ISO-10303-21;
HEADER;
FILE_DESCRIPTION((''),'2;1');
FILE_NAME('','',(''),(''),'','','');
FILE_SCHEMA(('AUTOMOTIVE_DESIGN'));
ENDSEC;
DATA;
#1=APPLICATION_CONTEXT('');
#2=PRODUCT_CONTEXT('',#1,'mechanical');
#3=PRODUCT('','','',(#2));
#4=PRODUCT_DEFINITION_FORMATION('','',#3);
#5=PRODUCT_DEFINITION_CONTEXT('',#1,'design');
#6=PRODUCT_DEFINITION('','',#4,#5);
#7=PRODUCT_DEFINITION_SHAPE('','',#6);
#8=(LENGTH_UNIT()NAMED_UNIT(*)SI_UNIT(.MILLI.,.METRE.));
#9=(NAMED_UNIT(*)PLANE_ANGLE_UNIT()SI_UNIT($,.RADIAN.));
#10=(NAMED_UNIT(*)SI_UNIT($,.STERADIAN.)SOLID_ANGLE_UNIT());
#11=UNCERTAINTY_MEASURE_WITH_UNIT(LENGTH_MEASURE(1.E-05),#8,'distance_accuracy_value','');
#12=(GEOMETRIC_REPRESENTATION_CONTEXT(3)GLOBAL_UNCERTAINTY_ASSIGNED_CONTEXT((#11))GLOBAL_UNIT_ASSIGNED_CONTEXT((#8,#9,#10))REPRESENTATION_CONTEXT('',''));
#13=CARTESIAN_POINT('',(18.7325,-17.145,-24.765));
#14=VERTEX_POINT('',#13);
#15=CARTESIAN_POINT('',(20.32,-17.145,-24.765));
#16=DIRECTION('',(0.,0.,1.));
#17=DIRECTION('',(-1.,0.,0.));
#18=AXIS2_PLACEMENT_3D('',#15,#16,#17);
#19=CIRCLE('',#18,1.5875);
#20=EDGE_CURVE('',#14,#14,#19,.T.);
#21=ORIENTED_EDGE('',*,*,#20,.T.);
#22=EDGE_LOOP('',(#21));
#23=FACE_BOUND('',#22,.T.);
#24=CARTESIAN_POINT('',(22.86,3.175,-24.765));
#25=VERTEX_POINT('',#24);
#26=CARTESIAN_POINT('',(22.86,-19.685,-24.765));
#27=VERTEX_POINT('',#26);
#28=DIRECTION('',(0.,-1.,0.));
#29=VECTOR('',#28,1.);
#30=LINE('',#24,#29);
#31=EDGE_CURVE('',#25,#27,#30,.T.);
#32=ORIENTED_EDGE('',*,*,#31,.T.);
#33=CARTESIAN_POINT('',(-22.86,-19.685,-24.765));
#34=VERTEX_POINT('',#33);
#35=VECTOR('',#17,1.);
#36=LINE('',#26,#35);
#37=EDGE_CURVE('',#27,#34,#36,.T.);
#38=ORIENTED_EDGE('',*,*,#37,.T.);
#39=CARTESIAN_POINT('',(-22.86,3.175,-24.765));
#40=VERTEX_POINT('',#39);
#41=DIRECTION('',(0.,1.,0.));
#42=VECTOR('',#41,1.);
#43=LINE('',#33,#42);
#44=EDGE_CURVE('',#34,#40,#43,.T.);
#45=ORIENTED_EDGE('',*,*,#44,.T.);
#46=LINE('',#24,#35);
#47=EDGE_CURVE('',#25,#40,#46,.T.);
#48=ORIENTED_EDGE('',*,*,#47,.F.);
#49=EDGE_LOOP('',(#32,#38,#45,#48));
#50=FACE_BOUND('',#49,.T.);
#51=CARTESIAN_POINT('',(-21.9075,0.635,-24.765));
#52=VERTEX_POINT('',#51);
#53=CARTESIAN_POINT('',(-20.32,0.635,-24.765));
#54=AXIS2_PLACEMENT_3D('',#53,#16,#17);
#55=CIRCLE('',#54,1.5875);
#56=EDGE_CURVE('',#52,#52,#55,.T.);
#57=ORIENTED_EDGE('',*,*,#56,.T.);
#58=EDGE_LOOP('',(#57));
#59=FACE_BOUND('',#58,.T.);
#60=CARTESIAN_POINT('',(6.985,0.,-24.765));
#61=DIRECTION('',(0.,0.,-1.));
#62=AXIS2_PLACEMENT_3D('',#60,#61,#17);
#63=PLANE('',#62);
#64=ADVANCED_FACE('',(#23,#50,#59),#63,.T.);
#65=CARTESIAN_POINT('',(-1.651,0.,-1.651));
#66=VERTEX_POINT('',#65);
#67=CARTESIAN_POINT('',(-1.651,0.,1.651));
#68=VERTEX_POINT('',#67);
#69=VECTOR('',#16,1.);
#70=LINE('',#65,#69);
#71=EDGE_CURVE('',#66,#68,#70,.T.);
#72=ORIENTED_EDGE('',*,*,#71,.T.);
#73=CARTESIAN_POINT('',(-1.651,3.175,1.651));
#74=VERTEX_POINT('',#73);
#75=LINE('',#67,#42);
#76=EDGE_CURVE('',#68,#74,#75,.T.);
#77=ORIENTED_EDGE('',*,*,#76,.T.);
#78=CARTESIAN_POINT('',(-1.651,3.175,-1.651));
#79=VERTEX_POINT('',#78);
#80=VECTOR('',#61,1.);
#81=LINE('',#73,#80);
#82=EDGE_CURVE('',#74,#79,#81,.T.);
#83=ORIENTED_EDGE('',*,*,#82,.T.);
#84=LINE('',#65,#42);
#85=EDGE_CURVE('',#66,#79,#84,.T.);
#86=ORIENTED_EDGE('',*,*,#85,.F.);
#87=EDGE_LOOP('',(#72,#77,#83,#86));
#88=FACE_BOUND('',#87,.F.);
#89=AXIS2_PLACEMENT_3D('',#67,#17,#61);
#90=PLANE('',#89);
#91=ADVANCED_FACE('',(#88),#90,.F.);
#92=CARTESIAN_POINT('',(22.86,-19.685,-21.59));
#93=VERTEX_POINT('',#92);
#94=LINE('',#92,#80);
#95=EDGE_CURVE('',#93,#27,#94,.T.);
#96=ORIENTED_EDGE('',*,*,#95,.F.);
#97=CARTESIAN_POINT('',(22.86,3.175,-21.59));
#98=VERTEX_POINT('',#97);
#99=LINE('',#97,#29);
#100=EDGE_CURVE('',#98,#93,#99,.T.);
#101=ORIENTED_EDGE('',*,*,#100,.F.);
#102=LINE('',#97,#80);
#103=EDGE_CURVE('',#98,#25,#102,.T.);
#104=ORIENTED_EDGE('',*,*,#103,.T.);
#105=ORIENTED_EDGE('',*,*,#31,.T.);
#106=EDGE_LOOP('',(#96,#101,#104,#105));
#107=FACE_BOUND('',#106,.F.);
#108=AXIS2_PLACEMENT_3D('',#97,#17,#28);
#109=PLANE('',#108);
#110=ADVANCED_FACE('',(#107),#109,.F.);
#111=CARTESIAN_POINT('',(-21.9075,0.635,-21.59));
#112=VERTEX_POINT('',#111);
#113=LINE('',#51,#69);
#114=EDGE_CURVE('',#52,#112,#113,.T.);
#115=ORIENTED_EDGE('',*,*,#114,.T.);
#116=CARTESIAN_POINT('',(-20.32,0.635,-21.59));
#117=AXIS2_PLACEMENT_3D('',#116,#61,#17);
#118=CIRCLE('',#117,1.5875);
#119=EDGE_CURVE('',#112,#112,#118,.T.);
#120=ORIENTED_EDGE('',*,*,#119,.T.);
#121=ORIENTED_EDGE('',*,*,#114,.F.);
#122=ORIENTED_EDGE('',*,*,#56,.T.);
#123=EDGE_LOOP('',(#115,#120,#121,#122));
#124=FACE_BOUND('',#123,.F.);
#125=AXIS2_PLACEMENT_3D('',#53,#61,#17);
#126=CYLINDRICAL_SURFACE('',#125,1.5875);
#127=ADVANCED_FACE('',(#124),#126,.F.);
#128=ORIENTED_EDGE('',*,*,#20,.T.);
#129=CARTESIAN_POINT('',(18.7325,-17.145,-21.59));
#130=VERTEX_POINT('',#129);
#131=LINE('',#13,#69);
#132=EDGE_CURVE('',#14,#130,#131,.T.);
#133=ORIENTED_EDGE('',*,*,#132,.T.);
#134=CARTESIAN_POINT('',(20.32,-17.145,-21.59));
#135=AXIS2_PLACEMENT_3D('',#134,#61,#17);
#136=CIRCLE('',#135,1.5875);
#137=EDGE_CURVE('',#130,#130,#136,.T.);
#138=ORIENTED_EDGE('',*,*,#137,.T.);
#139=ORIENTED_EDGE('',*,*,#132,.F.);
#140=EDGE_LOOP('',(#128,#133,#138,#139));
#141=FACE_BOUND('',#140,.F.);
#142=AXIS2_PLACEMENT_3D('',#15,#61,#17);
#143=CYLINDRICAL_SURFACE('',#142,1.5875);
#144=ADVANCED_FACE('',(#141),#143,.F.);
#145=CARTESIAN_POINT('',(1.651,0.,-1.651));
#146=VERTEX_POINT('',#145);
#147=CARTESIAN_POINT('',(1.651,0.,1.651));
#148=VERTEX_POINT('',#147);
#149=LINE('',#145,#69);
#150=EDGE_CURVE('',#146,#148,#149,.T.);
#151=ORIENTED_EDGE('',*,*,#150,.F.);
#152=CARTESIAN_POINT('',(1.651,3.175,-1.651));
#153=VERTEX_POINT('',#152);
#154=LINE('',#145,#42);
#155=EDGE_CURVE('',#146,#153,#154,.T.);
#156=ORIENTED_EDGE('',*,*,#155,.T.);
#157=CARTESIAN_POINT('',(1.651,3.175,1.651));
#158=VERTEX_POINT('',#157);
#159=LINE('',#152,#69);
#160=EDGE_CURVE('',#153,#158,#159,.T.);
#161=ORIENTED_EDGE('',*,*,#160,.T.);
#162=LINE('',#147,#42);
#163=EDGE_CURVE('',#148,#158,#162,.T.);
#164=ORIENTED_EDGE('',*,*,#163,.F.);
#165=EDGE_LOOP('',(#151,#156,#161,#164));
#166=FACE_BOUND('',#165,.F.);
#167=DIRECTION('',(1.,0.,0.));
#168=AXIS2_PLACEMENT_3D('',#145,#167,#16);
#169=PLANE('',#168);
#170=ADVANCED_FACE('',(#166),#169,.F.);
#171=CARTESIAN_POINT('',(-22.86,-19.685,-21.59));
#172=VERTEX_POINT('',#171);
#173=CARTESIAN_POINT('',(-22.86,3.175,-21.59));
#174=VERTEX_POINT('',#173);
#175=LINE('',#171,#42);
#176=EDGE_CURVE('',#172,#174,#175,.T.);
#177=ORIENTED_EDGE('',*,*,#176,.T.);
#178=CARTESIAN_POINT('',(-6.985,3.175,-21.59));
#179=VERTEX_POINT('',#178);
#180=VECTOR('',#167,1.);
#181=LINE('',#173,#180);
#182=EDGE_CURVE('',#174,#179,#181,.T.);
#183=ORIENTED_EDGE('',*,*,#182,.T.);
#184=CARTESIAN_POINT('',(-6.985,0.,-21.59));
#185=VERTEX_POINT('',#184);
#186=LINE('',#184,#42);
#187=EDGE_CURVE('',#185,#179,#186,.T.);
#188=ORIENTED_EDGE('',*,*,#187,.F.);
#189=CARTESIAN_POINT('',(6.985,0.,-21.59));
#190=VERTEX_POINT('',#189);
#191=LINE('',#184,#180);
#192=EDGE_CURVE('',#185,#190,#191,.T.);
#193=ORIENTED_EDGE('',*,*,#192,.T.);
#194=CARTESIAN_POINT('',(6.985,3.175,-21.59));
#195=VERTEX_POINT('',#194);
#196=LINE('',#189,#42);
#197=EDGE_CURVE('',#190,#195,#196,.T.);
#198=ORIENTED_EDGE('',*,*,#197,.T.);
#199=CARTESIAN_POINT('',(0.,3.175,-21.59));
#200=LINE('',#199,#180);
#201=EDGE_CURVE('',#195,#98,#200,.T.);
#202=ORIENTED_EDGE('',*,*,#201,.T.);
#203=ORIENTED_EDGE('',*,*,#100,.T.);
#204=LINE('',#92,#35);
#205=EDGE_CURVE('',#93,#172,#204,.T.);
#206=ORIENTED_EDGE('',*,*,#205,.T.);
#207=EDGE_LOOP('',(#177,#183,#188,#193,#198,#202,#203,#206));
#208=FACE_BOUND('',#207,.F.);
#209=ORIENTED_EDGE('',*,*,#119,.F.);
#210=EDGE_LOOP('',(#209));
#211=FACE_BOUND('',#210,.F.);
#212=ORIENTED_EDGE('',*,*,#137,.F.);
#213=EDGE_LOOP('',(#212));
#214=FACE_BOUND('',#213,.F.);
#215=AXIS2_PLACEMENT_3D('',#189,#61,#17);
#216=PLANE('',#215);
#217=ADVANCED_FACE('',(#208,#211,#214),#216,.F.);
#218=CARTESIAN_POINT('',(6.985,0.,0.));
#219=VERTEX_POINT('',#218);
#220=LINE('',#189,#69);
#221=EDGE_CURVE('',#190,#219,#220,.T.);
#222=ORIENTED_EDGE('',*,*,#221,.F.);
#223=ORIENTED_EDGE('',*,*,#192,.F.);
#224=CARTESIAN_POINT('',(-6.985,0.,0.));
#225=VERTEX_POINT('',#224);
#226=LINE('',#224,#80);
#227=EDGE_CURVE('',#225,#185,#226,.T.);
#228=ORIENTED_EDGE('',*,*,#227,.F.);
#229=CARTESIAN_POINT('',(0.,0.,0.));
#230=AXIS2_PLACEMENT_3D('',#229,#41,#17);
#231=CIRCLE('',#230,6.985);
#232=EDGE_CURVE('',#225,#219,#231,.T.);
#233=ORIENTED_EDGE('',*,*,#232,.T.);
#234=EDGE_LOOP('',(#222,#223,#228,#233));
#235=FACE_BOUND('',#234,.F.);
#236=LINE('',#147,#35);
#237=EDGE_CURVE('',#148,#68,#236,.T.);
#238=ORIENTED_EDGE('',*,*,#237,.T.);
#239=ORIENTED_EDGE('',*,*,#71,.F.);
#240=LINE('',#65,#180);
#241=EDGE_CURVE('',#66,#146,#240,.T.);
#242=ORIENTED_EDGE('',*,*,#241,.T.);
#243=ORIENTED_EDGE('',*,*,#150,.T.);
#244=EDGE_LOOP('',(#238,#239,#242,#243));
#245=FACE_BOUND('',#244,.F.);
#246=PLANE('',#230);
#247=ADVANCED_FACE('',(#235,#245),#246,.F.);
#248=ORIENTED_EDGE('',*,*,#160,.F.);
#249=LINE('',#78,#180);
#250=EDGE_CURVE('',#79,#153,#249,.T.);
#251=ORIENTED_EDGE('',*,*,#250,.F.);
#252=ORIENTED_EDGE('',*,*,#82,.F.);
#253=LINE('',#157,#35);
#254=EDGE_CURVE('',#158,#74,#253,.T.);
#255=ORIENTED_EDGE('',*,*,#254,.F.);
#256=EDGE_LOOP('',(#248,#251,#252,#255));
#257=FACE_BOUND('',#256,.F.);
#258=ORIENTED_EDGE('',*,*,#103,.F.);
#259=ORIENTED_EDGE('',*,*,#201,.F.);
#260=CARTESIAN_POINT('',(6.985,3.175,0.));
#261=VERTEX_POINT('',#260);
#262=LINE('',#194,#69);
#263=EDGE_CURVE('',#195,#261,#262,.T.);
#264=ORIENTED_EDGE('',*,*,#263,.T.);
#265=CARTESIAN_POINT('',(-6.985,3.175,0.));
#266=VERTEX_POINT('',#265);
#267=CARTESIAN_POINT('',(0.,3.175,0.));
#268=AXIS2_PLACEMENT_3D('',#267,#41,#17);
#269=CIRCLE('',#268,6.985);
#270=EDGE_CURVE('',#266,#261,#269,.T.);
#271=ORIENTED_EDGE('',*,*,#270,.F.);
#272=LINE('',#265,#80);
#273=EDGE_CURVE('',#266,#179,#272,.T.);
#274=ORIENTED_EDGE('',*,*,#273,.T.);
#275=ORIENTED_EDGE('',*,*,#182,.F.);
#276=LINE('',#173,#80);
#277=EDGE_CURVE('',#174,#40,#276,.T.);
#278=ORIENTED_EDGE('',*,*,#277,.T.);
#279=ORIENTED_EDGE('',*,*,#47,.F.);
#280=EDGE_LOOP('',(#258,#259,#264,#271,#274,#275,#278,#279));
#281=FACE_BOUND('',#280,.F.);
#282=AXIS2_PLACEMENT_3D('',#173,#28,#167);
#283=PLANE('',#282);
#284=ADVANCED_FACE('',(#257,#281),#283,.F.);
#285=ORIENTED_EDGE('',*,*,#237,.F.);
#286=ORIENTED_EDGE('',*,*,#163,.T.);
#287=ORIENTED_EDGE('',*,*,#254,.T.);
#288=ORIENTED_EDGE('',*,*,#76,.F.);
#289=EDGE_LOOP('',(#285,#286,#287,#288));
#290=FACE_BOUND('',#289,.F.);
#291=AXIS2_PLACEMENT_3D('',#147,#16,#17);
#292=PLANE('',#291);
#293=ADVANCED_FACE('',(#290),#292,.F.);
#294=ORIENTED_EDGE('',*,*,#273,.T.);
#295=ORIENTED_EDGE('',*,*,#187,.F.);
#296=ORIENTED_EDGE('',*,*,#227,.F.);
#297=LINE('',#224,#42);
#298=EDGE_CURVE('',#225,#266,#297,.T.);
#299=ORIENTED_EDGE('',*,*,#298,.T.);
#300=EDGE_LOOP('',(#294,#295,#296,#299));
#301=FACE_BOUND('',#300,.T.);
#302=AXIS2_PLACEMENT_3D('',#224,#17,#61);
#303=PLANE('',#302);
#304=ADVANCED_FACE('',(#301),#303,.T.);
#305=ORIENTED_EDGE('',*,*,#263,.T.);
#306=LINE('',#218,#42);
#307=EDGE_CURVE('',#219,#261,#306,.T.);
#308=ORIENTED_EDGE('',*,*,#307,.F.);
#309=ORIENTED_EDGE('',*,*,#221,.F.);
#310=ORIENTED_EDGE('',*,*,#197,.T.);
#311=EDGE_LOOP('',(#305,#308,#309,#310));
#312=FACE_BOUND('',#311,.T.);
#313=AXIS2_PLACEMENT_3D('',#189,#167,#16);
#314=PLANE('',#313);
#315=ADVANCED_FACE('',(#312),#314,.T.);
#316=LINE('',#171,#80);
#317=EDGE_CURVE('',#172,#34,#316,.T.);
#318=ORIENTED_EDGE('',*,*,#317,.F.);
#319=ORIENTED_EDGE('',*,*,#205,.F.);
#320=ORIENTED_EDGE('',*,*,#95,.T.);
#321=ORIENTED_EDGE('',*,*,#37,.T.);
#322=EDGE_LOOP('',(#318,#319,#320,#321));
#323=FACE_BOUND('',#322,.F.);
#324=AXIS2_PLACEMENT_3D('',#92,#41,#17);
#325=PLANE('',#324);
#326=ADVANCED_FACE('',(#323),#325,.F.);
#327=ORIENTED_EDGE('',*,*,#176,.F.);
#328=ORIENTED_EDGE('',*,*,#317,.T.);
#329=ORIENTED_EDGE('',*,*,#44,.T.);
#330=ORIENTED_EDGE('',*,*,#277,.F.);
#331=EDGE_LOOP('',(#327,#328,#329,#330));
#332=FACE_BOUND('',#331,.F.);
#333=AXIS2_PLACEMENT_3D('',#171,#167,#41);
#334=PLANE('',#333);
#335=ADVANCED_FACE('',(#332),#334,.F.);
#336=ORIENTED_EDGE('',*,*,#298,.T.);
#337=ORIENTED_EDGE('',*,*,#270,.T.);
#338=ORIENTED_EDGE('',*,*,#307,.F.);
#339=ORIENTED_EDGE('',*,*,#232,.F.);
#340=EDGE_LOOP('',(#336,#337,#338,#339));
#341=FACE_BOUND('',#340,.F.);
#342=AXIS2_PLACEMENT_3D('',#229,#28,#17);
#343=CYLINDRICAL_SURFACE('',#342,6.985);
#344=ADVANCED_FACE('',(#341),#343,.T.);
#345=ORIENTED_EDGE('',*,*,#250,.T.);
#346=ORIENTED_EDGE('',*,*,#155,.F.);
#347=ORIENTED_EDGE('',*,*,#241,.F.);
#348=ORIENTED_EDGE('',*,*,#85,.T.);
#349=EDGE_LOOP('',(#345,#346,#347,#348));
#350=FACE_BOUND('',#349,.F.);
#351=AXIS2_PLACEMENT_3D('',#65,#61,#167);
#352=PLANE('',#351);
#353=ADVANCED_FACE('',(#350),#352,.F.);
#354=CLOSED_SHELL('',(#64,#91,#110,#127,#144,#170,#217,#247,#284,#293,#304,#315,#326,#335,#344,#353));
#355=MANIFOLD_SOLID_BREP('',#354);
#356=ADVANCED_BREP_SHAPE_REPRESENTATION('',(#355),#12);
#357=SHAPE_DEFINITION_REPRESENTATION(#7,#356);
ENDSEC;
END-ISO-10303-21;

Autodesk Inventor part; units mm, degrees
ref_plane "YZ Plane" through (0, 0, 0) normal (1, 0, 0) x (0, 1, 0)
ref_plane "XZ Plane" through (0, 0, 0) normal (0, 1, 0) x (-1, 0, 0)
ref_plane "XY Plane" through (0, 0, 0) normal (0, 0, 1) x (1, 0, 0)
sketch "Sketch1" plane through (0, 0, 0) normal (0, 1, 0) x (-1, 0, 0)
  circle A0 centre (0, 0) radius 6.985
  line L0 (6.985, 0) -> (6.985, -21.59)
  line L1 (6.985, -21.59) -> (-6.985, -21.59)
  line L2 (-6.985, -21.59) -> (-6.985, 0)
  line L3 (0, 0) -> (1.651, 0)
  line L4 (1.651, 0) -> (1.651, -1.651)
  line L5 (1.651, -1.651) -> (-1.651, -1.651)
  line L6 (-1.651, -1.651) -> (-1.651, 1.651)
  line L7 (-1.651, 1.651) -> (1.651, 1.651)
  line L8 (1.651, 1.651) -> (1.651, 0)
  dimension "d0" = 13.97
  dimension "d1" = 21.59
  dimension "d2" = 13.97
  dimension "d3" = 1.651
  dimension "d4" = 1.651
  dimension "d5" = 3.302
  dimension "d6" = 3.302
  dimension "d7" = 3.302
extrude "Extrusion1" add sketch "Sketch1" along normal blind 3.175
sketch "Sketch2" plane through (6.985, 0, -21.59) normal (0, 0, -1) x (-1, 0, 0)
  line L0 (13.97, 3.175) -> (0, 3.175) projected
  line L1 (6.985, 3.175) -> (-15.875, 3.175)
  line L2 (-15.875, 3.175) -> (-15.875, -19.685)
  line L3 (-15.875, -19.685) -> (29.845, -19.685)
  line L4 (29.845, -19.685) -> (29.845, 3.175)
  line L5 (29.845, 3.175) -> (6.985, 3.175)
  point P0 (6.985, 0)
  dimension "d10" = 22.86
  dimension "d11" = 22.86
  dimension "d12" = 45.72
extrude "Extrusion2" add sketch "Sketch2" along normal blind 3.175
sketch "Sketch3" plane through (6.985, 0, -24.765) normal (0, 0, -1) x (-1, 0, 0)
  line L0 (29.845, 3.175) -> (27.305, 3.175)
  line L1 (29.845, 3.175) -> (-15.875, 3.175) projected
  line L2 (27.305, 3.175) -> (27.305, 0.635)
  circle A0 centre (27.305, 0.635) radius 1.5875
  line L3 (-15.875, -19.685) -> (-13.335, -19.685)
  line L4 (-13.335, -19.685) -> (-13.335, -17.145)
  circle A1 centre (-13.335, -17.145) radius 1.5875
  point P0 (6.985, 0)
  dimension "d15" = 2.54
  dimension "d16" = 2.54
  dimension "d17" = 3.175
  dimension "d18" = 2.54
  dimension "d19" = 2.54
  dimension "d20" = 3.175
extrude "Extrusion3" cut sketch "Sketch3" against normal blind 3.175
properties part number "Autonomous - Ultrasonic to Servo"
